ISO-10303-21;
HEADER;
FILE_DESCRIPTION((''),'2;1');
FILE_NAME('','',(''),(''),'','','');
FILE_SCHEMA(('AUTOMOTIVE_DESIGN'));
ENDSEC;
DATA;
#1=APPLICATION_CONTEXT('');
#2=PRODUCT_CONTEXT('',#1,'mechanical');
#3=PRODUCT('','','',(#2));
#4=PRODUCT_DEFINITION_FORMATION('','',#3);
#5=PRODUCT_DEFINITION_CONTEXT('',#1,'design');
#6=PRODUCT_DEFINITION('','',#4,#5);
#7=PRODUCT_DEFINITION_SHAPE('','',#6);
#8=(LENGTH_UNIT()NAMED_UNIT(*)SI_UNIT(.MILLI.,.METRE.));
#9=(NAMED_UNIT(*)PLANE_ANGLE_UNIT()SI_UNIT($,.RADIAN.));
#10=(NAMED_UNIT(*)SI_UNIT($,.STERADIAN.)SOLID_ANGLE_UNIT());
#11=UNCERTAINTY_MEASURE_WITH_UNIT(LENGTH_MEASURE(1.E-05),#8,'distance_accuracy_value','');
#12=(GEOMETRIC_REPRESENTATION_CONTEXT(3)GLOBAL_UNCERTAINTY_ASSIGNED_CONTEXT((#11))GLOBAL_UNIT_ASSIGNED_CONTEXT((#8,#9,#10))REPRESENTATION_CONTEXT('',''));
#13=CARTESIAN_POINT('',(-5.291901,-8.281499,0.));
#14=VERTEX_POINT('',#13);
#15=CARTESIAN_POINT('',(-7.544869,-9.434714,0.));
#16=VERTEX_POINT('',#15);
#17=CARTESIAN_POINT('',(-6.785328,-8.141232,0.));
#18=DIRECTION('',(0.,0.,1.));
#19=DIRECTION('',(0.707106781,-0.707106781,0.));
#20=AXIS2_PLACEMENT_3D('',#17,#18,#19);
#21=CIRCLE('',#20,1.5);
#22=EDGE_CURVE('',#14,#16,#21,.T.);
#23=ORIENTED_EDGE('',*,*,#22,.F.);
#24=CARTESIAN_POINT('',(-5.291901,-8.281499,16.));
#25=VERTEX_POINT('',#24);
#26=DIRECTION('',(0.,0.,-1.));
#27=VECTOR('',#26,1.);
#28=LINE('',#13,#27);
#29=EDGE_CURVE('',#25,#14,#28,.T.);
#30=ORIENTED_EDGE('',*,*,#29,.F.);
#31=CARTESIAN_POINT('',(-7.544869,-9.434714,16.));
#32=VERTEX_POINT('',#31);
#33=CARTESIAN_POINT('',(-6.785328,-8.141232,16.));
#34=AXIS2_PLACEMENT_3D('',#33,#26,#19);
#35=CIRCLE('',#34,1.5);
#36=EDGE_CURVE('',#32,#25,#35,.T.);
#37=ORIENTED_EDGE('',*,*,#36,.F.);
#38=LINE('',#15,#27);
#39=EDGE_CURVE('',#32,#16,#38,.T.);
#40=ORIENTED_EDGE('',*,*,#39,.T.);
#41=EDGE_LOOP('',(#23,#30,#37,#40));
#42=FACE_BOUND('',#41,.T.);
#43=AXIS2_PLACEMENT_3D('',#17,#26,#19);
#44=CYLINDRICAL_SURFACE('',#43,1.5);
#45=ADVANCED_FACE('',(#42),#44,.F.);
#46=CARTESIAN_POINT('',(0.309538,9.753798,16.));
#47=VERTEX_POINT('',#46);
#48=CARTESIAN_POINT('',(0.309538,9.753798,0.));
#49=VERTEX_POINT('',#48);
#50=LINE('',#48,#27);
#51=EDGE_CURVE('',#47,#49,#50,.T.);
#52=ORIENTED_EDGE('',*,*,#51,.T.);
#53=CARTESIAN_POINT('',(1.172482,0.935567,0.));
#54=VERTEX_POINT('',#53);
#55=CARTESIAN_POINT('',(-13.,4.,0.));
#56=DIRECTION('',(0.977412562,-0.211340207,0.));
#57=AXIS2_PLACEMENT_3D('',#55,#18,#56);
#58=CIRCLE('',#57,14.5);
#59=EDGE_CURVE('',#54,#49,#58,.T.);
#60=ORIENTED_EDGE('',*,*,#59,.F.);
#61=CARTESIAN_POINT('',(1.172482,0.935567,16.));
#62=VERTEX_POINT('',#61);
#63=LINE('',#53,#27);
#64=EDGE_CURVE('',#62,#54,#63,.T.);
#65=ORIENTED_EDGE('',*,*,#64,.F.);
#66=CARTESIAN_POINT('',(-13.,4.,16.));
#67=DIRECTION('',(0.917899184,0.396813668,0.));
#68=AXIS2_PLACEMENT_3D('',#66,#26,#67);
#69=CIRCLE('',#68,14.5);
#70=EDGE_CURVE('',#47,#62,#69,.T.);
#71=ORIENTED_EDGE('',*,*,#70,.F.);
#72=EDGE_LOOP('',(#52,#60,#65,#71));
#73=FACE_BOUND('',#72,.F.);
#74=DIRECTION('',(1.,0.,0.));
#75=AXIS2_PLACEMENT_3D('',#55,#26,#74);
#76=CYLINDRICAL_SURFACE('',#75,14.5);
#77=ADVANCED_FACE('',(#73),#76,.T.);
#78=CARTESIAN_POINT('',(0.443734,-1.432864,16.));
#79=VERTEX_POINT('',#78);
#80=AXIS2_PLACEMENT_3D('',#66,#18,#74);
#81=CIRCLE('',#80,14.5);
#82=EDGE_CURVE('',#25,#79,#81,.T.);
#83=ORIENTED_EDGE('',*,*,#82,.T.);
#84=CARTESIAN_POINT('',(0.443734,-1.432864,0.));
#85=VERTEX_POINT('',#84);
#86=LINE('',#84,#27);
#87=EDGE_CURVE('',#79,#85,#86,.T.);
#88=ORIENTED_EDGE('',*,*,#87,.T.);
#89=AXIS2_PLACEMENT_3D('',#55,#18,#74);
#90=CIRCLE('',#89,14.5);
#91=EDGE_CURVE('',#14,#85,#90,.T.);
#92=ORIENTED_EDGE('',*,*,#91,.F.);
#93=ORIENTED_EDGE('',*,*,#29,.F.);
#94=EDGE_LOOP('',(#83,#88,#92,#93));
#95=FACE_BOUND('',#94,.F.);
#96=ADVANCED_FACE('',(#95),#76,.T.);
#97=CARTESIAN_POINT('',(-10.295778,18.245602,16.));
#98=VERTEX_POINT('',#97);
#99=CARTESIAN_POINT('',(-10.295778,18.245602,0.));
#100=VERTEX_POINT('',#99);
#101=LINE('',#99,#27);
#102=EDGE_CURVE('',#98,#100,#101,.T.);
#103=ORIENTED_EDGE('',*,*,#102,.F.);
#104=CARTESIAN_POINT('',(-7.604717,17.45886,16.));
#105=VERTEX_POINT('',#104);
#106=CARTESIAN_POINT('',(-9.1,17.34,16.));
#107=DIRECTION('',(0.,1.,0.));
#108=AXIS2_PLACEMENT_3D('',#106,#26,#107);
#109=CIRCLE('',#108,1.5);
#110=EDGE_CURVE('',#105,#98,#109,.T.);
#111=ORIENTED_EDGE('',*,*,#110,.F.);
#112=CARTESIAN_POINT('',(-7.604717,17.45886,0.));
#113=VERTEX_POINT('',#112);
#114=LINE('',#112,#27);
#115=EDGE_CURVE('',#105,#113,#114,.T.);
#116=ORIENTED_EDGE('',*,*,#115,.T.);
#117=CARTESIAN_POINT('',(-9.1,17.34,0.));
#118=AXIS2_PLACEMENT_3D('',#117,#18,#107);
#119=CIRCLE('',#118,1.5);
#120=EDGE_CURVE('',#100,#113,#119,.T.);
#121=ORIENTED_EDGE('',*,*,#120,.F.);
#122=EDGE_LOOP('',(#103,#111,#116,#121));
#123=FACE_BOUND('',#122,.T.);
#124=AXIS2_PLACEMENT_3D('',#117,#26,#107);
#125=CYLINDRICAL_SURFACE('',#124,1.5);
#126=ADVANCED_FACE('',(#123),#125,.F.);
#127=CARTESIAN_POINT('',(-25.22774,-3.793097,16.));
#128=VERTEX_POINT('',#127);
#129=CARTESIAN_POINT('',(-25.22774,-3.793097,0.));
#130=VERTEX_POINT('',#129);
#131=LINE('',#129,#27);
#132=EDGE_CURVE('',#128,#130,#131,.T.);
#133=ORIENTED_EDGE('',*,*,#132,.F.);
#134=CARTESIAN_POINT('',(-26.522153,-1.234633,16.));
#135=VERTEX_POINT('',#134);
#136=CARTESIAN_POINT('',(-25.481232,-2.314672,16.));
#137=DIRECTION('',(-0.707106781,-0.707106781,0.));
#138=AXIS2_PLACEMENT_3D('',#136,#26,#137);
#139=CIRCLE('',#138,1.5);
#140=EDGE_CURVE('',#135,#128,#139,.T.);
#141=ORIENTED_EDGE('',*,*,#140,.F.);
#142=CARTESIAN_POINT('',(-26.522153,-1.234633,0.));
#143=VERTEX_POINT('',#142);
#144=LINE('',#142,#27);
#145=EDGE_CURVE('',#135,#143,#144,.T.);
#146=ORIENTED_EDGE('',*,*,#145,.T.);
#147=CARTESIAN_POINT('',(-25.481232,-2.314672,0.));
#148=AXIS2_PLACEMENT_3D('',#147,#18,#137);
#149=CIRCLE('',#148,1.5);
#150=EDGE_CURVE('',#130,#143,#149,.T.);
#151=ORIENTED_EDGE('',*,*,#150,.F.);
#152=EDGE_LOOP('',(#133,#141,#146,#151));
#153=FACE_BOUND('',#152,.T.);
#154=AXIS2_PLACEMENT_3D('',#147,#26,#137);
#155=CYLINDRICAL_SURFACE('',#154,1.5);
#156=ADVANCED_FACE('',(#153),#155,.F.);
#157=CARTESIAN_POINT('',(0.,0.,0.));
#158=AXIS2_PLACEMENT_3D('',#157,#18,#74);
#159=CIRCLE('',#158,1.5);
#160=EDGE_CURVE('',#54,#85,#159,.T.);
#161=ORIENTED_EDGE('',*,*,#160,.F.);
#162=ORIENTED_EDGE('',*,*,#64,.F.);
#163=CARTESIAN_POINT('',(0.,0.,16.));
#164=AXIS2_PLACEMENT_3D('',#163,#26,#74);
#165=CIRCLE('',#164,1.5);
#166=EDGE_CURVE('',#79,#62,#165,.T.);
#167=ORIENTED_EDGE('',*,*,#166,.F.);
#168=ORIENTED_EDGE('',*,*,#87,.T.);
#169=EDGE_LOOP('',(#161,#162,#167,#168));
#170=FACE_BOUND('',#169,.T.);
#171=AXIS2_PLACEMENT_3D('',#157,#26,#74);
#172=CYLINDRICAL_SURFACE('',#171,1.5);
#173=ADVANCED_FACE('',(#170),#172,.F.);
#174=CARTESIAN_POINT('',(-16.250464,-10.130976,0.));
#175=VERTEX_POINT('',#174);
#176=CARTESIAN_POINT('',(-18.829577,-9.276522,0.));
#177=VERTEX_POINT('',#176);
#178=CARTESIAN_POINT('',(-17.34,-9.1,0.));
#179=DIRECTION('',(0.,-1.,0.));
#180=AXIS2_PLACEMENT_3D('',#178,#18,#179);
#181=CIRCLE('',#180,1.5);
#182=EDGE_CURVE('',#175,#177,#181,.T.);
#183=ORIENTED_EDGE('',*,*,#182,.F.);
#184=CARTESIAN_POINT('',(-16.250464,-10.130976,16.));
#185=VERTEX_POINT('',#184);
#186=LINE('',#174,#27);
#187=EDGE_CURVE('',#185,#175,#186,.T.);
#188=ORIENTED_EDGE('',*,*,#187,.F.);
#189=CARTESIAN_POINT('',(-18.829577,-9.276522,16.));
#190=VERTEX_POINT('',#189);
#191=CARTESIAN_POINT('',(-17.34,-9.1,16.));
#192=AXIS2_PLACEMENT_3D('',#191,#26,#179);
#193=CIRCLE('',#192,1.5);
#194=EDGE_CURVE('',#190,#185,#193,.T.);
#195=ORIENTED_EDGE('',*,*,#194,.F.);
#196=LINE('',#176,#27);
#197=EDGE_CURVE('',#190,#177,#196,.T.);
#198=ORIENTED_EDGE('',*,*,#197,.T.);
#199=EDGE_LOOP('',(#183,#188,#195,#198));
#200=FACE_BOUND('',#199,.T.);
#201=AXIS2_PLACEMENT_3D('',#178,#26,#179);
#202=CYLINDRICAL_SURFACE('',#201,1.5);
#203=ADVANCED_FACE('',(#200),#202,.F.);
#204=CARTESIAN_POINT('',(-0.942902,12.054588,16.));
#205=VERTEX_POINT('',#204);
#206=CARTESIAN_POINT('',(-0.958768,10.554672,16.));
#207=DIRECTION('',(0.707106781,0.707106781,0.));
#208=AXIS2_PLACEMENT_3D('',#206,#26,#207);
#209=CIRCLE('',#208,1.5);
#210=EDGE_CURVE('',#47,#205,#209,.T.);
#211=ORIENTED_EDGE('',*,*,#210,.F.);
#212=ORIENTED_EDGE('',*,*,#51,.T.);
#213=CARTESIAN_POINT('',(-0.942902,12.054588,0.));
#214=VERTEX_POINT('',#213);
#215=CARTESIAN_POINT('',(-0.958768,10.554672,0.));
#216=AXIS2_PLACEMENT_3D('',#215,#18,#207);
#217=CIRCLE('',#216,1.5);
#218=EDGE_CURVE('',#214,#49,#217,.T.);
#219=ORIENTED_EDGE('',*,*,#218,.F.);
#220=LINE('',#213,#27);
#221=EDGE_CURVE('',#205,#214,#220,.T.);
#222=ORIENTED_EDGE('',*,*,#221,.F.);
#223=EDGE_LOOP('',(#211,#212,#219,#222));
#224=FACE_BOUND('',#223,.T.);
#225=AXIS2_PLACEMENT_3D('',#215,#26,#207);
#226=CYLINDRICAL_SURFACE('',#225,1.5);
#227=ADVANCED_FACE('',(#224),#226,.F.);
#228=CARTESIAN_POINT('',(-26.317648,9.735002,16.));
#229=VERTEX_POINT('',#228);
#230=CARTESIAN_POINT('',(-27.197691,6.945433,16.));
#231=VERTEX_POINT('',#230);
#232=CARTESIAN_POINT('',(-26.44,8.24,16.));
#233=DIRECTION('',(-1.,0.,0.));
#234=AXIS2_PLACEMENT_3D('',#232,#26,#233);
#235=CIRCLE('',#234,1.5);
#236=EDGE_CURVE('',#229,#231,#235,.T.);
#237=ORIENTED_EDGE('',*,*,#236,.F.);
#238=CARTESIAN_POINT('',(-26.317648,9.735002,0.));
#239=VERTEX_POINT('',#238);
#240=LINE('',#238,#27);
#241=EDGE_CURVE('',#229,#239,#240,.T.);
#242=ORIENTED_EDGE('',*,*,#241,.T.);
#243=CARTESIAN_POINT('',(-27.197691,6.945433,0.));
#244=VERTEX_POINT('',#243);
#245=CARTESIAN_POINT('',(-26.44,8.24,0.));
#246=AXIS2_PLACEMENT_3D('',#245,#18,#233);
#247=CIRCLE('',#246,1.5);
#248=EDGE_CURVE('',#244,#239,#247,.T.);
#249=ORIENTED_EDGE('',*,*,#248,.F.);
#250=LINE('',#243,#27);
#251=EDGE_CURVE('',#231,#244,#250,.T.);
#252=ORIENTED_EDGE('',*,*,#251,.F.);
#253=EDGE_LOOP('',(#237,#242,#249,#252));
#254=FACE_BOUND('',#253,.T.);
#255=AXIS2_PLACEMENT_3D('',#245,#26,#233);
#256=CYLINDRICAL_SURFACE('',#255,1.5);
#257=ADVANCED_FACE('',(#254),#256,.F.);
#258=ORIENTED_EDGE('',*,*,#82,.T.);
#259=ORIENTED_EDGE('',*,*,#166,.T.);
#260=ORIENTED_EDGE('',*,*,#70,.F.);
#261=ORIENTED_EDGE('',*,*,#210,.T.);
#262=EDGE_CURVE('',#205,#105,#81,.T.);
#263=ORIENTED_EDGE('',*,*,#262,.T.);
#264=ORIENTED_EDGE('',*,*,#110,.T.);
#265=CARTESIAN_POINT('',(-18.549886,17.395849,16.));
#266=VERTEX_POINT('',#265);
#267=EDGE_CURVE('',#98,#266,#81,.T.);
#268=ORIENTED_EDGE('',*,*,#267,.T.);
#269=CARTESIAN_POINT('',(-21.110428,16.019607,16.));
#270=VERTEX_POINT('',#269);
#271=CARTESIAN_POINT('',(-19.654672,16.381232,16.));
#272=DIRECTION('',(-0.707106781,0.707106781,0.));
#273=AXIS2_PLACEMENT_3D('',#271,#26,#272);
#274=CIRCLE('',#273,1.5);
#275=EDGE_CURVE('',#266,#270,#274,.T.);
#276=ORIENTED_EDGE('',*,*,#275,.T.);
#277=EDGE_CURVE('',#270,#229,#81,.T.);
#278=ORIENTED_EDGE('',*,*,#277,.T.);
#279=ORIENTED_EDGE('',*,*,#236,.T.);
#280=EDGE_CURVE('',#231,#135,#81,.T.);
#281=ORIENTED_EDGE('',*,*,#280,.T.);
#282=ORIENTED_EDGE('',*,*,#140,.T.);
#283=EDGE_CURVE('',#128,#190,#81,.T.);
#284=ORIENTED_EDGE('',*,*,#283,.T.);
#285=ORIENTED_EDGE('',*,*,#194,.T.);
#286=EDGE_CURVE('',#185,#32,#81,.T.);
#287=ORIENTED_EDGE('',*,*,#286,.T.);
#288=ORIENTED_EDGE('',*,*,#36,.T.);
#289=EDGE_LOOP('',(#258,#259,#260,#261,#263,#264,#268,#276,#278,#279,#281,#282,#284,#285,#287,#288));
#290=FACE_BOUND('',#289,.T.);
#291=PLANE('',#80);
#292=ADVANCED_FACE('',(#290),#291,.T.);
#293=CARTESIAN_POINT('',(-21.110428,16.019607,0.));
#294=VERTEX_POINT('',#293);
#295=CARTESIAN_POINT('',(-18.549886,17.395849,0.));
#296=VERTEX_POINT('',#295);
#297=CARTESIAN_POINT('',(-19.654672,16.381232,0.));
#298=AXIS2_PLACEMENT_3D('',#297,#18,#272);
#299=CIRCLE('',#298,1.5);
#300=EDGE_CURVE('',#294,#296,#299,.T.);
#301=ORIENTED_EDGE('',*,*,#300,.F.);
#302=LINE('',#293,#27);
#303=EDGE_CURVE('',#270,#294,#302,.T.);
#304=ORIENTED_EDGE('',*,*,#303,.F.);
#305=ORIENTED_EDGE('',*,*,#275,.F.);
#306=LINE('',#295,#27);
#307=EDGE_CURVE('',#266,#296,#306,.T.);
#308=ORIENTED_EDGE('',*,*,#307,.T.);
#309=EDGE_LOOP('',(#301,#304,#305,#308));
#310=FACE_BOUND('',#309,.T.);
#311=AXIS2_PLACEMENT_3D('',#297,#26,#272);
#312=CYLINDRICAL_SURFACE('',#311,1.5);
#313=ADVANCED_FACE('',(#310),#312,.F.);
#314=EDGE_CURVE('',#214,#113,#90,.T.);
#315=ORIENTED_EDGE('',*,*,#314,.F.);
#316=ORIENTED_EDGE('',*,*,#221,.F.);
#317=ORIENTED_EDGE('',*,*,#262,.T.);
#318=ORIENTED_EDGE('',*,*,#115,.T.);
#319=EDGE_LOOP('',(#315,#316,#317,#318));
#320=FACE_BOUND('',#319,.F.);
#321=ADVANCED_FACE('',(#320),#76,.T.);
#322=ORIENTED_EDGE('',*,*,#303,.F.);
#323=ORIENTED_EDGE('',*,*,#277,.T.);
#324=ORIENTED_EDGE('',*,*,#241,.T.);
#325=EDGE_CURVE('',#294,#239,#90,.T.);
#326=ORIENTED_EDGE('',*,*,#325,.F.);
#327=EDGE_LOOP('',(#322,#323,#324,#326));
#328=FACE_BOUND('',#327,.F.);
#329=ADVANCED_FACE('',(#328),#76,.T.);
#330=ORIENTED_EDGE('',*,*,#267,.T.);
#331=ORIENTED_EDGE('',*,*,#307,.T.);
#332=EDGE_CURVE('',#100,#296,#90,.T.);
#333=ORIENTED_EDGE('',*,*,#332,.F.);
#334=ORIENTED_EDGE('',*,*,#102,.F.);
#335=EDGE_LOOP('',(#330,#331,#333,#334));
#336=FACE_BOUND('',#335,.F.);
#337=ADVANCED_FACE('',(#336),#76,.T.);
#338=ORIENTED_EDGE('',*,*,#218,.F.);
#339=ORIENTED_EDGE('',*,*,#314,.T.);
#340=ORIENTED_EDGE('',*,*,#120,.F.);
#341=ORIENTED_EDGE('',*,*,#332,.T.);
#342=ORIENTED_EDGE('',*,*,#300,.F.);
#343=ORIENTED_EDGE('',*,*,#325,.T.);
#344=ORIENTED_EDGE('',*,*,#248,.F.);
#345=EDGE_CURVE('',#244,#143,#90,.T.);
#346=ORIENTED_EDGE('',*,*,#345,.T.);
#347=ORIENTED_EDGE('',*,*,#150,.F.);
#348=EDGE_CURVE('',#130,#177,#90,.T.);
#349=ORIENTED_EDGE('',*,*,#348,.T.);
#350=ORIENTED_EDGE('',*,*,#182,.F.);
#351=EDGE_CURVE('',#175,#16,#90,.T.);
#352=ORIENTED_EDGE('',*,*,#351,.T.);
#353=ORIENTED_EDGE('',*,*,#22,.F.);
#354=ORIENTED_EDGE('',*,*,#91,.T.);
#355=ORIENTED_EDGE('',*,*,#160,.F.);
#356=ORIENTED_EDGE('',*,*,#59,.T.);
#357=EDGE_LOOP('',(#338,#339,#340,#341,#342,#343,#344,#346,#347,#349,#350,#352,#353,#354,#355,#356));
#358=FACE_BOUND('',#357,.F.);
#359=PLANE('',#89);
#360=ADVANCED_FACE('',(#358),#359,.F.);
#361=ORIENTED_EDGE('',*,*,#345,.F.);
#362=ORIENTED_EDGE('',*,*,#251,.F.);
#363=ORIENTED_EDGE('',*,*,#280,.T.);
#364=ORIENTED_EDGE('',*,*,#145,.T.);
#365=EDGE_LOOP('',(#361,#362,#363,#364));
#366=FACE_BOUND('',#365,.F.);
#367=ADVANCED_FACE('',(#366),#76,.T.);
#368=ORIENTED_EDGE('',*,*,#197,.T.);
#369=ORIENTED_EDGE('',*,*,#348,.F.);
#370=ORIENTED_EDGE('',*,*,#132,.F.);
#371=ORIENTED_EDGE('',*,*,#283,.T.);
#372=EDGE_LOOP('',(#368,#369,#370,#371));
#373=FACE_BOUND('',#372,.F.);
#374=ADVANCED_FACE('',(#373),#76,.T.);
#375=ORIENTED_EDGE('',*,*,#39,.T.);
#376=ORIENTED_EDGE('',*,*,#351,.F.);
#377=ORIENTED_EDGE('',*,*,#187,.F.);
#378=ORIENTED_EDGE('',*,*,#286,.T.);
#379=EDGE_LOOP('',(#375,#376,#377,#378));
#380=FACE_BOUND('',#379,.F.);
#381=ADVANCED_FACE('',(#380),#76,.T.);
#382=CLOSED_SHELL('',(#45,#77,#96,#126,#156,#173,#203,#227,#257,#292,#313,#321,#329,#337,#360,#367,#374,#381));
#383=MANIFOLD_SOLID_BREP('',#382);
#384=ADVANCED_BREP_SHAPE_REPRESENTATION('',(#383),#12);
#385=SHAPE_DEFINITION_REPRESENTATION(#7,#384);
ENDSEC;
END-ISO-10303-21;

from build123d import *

# Parameters (mm, degrees)
CYLINDER_R        = 1.5
CYLINDER_DEPTH    = 18
ARRAY_COUNT       = 8
CYLINDER001_R     = 14.5
CYLINDER001_DEPTH = 16


with BuildPart() as array:
    # Cylinder → Cylinder (new body)
    with BuildSketch(Plane.XY):
        Circle(CYLINDER_R)
    extrude(amount=CYLINDER_DEPTH)

    # Array: Array ×8 about axis
    array_axis = Axis((-13.22, 4.12, 0), (0, 0, 1))


with BuildPart() as array_1:
    add(array.part)
    for i in range(1, ARRAY_COUNT):
        add(array.part.rotate(array_axis, i * 360 / ARRAY_COUNT))


with BuildPart() as cut:
    # Cylinder001 → Cylinder001 (new body)
    with BuildSketch(Plane(origin=(-13, 4, 0), x_dir=(1, 0, 0), z_dir=(0, 0, 1))):
        Circle(CYLINDER001_R)
    extrude(amount=CYLINDER001_DEPTH)

    # Cut: cut Array
    add(array_1.part, mode=Mode.SUBTRACT)


solid = cut.part
